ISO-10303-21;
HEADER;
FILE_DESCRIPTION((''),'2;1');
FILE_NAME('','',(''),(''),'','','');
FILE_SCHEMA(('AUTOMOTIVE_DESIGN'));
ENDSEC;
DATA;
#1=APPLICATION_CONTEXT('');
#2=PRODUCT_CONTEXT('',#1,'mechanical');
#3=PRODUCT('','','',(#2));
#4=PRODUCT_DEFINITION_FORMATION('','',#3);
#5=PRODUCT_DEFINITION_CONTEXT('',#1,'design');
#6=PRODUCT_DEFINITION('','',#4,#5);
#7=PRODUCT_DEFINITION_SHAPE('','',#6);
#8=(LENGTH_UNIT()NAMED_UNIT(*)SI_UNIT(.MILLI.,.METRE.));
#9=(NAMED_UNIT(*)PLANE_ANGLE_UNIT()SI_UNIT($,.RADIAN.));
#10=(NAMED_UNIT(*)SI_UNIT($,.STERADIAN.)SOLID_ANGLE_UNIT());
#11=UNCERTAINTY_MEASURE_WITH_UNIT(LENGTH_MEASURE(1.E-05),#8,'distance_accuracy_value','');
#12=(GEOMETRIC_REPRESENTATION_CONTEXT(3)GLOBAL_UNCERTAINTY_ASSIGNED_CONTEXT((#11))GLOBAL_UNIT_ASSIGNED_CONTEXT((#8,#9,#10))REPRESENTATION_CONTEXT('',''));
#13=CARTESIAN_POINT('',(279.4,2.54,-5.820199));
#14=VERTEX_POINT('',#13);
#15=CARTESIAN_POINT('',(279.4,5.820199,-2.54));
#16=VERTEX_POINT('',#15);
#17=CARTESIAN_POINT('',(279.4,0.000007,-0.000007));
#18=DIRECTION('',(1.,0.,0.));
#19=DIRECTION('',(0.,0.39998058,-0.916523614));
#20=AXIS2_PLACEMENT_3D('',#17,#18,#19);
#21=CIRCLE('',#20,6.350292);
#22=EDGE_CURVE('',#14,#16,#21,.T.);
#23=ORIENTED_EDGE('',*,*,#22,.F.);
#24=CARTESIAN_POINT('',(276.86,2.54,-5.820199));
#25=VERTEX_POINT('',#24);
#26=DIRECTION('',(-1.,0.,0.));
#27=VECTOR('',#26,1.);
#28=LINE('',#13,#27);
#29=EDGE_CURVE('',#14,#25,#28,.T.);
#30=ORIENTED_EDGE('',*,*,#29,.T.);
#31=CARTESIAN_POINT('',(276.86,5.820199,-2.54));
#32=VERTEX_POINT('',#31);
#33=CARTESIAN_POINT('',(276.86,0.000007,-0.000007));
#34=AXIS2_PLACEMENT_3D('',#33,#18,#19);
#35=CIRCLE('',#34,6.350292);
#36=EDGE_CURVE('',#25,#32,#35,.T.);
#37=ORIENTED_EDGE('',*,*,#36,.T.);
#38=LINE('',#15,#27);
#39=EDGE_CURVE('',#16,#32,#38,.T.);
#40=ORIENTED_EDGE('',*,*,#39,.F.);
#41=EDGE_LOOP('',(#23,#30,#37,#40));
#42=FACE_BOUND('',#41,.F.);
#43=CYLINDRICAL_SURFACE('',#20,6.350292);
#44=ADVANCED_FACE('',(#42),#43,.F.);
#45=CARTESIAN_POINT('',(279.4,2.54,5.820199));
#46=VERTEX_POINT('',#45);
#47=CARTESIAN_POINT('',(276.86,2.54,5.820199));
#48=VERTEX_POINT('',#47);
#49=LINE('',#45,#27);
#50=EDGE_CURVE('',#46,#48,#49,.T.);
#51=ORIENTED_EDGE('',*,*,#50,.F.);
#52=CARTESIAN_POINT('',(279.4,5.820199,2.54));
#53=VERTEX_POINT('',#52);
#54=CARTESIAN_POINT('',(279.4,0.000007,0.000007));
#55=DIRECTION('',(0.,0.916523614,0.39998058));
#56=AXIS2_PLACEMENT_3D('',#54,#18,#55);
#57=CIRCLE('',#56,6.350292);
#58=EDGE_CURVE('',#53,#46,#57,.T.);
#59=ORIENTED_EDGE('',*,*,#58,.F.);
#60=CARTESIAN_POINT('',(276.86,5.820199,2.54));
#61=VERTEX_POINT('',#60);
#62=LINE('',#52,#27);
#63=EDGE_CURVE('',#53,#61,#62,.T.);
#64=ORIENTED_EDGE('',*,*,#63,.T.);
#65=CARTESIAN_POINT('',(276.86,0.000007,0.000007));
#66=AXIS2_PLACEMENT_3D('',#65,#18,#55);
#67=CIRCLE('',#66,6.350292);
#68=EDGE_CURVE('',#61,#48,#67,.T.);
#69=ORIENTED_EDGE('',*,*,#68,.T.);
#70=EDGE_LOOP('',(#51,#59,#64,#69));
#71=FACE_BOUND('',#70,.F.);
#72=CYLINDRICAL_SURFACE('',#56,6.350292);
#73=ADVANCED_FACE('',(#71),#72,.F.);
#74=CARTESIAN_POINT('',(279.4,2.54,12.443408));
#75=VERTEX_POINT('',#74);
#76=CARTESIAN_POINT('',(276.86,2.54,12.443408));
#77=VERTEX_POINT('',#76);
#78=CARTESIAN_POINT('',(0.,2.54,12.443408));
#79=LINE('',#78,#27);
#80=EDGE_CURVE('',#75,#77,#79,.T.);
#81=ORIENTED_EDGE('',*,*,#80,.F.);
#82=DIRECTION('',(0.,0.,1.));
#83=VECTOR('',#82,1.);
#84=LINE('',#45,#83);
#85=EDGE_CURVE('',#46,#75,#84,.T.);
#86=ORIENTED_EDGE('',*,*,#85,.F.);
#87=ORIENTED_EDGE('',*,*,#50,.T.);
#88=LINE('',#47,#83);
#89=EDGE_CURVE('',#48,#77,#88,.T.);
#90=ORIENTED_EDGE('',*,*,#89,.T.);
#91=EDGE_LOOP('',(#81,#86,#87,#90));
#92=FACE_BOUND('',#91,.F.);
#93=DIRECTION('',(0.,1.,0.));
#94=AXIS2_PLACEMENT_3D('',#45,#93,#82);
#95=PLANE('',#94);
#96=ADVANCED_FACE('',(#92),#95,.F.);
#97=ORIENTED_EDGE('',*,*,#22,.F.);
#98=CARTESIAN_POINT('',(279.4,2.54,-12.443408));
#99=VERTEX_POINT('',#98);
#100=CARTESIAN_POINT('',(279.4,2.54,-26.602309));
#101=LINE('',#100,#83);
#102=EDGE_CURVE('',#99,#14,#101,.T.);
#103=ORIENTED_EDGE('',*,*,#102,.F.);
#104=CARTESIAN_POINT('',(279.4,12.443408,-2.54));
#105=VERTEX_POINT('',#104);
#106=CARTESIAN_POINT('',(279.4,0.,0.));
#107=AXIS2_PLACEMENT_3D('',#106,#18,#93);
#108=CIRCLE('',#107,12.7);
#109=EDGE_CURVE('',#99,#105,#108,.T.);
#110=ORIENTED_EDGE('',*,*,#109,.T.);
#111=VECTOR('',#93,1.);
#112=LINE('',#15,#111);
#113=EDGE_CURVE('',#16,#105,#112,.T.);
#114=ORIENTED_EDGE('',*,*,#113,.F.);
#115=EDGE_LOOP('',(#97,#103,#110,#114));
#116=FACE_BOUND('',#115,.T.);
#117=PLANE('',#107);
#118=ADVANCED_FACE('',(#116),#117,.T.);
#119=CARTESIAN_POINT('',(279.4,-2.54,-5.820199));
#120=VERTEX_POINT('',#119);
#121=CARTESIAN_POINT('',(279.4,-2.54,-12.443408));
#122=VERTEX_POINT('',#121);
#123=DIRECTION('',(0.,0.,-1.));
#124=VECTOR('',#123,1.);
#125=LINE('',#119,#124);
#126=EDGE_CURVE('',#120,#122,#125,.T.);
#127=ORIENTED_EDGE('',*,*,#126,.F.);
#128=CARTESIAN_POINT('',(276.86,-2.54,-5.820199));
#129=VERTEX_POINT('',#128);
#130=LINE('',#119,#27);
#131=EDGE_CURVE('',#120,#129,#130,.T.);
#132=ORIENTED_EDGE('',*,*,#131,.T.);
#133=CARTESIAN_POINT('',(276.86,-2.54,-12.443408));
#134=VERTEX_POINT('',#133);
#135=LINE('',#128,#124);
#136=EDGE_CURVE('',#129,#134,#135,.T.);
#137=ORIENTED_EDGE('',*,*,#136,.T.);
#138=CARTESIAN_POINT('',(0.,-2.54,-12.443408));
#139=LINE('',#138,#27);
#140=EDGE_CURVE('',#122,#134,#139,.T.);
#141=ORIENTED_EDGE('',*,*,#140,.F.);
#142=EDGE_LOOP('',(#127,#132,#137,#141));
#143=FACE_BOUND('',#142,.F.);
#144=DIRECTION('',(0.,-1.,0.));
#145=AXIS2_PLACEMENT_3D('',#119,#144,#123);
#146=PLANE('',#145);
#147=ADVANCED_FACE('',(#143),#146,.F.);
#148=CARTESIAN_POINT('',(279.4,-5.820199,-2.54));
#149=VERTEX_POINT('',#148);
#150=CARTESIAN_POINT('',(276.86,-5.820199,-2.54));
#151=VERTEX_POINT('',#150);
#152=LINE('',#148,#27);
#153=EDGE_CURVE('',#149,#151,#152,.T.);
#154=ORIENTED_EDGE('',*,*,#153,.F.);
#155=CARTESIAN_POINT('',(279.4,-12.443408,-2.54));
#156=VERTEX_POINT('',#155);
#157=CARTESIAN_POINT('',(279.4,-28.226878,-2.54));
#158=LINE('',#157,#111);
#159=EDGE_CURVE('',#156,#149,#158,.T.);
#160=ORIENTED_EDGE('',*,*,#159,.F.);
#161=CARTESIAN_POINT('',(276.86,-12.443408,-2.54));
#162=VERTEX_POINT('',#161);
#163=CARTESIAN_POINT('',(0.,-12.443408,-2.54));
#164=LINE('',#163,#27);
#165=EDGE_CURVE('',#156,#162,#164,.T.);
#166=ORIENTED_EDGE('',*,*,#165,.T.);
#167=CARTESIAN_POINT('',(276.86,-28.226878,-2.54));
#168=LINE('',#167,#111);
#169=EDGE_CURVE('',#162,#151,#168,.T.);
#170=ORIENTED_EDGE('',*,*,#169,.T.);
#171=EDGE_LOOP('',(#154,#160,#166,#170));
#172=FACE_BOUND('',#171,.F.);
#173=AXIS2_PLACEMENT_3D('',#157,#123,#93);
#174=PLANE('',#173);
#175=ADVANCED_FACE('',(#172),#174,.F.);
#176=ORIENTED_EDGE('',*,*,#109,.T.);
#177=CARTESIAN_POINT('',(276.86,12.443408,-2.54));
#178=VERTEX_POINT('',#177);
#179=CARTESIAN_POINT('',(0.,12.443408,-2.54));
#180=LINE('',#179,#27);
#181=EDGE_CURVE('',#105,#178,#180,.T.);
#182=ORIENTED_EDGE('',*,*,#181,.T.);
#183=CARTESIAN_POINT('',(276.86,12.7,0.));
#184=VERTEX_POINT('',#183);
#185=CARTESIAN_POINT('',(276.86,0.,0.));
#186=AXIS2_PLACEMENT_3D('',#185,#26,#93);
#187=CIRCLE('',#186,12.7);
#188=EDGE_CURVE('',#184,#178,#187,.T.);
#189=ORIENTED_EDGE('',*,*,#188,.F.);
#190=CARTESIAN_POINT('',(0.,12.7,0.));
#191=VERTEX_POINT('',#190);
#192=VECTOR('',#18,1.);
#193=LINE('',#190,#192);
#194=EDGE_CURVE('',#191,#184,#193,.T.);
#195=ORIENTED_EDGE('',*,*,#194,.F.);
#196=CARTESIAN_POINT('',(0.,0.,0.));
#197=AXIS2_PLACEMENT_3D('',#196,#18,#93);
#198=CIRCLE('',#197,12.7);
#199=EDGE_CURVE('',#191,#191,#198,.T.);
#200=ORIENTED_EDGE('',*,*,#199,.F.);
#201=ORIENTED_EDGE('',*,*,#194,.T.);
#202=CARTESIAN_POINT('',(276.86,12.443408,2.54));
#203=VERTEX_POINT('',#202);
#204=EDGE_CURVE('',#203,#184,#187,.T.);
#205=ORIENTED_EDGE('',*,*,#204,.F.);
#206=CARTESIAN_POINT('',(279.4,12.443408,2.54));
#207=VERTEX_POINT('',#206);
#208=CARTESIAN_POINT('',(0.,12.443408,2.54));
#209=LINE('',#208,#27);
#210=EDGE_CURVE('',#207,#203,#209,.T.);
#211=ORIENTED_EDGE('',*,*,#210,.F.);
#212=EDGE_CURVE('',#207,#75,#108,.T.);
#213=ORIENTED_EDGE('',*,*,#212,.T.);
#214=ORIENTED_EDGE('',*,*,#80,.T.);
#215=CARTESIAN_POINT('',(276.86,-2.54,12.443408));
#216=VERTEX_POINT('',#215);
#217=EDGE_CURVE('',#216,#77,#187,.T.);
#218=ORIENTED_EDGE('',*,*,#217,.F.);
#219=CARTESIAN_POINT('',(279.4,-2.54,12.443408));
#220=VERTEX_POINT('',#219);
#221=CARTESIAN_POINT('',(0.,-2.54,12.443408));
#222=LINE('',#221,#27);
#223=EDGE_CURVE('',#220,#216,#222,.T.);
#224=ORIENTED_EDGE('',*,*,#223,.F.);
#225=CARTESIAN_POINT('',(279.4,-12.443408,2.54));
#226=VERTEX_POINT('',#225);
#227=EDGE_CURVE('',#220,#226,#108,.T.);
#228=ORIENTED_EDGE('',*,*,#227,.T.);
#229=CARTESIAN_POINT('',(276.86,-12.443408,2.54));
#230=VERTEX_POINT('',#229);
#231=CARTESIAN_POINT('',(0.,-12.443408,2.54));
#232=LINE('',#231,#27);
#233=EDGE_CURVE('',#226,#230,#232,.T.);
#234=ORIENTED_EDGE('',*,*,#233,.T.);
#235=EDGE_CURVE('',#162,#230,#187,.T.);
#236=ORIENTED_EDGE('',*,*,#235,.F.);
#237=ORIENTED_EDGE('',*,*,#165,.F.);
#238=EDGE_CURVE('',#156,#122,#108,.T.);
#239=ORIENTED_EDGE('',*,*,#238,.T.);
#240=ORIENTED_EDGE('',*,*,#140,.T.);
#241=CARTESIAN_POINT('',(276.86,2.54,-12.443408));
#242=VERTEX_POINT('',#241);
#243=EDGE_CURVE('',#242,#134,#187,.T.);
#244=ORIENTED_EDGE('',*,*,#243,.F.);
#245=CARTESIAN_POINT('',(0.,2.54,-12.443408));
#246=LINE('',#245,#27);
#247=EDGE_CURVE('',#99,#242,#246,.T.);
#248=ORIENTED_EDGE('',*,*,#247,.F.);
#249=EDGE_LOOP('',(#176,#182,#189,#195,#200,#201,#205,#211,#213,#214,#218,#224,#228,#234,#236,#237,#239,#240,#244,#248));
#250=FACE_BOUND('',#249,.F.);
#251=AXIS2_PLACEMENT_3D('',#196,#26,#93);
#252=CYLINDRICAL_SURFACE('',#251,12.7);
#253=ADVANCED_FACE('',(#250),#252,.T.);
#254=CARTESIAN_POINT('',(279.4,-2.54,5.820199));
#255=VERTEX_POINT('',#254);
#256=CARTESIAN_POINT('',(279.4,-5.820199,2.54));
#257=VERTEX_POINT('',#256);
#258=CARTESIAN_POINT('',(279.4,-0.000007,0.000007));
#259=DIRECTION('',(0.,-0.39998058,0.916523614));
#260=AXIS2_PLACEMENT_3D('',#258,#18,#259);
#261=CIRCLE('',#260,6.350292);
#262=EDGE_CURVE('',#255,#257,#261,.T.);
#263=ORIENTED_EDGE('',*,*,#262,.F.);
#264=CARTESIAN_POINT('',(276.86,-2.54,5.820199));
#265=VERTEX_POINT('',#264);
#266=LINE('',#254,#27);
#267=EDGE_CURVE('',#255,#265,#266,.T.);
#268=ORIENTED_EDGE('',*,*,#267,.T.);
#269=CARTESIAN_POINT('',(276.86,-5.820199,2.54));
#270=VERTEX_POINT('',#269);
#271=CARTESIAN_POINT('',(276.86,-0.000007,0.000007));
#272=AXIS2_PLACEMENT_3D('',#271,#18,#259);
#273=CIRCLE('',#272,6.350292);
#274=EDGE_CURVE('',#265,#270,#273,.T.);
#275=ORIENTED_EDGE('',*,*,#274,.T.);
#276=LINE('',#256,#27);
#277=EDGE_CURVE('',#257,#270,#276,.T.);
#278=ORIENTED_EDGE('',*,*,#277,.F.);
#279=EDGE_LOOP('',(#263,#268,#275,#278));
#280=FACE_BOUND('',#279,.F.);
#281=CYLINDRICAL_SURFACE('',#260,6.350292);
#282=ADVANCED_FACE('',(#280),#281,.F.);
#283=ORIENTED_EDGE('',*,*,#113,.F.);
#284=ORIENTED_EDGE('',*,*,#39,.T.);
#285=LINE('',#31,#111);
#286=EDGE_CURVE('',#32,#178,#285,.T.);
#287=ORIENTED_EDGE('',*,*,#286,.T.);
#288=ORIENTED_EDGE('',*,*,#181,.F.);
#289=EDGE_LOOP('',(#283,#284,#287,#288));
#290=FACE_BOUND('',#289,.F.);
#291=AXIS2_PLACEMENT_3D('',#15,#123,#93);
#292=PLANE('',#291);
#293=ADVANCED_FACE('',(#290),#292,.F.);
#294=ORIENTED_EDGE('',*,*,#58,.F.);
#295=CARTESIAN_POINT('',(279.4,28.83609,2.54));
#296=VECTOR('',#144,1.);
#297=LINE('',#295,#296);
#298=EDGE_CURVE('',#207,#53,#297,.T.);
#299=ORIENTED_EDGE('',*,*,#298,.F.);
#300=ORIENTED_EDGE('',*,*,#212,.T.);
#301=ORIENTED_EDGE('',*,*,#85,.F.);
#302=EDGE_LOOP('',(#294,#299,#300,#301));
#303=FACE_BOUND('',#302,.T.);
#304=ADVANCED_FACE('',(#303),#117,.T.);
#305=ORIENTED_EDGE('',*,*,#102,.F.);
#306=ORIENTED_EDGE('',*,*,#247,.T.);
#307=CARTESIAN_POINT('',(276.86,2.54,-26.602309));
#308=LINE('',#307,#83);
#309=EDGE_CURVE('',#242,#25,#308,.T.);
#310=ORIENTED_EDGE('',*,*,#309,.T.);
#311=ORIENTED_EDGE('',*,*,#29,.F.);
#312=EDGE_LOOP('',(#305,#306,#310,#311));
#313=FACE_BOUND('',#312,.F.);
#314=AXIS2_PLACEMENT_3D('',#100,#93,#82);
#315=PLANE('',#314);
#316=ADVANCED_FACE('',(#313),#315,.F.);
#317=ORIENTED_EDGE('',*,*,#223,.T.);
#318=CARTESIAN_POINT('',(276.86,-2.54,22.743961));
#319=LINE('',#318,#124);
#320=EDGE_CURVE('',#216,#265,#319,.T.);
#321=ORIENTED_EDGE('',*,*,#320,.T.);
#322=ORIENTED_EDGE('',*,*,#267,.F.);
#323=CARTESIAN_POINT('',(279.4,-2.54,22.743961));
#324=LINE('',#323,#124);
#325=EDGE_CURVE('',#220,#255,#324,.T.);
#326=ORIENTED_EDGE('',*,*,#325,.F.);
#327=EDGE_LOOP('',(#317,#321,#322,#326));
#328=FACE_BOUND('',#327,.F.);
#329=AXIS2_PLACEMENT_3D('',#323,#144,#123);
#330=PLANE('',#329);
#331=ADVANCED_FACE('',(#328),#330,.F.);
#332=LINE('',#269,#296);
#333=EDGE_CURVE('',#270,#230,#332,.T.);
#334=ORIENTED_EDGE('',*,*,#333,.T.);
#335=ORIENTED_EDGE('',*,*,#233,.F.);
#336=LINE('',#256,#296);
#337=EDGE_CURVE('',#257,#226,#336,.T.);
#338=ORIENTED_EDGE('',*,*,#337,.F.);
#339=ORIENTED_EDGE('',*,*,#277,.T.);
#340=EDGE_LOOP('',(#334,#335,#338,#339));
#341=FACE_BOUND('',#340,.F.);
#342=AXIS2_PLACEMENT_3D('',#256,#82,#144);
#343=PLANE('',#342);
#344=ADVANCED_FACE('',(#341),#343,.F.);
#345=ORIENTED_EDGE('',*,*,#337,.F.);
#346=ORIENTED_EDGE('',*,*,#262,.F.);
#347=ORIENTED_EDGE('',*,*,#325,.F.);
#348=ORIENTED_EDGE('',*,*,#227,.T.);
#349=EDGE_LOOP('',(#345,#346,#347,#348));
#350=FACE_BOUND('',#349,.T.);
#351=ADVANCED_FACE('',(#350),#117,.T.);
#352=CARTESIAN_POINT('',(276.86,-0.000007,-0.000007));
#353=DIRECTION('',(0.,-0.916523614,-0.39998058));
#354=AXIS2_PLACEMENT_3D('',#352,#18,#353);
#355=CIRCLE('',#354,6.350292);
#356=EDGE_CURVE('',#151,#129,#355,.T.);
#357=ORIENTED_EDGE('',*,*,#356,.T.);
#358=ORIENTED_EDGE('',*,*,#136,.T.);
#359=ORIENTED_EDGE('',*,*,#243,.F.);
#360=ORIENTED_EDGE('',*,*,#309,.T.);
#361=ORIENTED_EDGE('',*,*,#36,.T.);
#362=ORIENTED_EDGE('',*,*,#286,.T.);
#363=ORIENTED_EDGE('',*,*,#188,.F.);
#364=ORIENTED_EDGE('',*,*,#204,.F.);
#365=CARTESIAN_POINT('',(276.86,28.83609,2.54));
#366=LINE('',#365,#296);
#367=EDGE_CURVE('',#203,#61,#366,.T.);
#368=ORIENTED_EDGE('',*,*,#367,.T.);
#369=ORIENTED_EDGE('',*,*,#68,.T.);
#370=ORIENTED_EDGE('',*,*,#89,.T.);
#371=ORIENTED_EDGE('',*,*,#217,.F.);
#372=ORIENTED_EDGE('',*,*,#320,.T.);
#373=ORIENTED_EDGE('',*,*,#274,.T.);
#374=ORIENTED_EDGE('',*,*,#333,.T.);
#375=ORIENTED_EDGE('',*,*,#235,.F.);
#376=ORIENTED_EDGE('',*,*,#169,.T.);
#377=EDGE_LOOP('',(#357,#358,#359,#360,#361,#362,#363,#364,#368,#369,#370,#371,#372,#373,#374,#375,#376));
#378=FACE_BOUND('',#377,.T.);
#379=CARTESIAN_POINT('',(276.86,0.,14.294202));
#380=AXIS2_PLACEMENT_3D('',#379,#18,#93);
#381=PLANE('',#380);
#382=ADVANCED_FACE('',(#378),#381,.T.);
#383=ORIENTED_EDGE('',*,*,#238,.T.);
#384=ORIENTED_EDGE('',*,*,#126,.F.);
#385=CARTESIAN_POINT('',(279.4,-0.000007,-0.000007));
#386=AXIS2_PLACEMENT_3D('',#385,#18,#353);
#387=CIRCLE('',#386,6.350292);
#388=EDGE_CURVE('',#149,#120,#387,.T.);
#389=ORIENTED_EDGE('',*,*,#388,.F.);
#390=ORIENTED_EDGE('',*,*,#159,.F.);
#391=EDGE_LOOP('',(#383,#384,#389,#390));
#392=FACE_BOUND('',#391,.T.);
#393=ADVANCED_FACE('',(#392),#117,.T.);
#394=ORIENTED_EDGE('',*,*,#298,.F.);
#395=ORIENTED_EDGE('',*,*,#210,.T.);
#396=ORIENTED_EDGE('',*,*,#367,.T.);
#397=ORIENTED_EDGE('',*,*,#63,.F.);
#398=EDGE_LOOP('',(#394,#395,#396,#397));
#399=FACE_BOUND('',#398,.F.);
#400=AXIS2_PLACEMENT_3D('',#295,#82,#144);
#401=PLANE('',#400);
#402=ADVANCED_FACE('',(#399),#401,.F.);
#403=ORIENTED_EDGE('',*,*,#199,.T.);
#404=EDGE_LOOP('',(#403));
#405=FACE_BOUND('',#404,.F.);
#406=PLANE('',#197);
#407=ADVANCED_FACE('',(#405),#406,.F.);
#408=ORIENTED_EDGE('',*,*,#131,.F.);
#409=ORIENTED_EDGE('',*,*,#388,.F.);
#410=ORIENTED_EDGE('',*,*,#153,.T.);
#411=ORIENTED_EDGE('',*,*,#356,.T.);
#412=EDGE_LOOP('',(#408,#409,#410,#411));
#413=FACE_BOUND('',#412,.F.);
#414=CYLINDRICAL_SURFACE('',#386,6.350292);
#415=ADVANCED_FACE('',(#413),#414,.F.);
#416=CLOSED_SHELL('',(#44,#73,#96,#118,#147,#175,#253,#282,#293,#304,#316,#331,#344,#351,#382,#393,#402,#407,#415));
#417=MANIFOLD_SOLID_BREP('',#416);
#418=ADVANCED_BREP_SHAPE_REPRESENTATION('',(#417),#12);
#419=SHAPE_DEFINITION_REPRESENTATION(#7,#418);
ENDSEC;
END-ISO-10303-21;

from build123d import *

# Parameters (mm, degrees)
F0_R     = 12.7
F1_DEPTH = 279.4
F2_R     = 6.35
F3_DEPTH = 2.54
F5_DEPTH = 2.54


with BuildPart() as f1:
    # F0 (on Right) → F1 (new body)
    with BuildSketch(Plane.YZ):
        Circle(F0_R)
    extrude(amount=F1_DEPTH)

    # F2 (on face) → F3 (cut)
    with BuildSketch(Plane.YZ.offset(279.4)):
        Circle(F2_R)
    extrude(amount=-F3_DEPTH, mode=Mode.SUBTRACT)

    # F4 (on face) → F5 (cut)
    with BuildSketch(Plane.YZ.offset(279.4)):
        with BuildLine():
            ThreePointArc((-2.54, 5.820199), (0, 6.350301), (2.54, 5.820199))
            Line((2.54, 5.820199), (2.54, 22.743961))
            Line((2.54, 22.743961), (0, 22.743961))
            Line((0, 22.743961), (-2.54, 22.743961))
            Line((-2.54, 22.743961), (-2.54, 5.820199))
        make_face()
        with BuildLine():
            ThreePointArc((5.820199, 2.54), (4.490341, 4.490341), (2.54, 5.820199))
            ThreePointArc((2.54, 5.820199), (0, 6.350301), (-2.54, 5.820199))
            ThreePointArc((-2.54, 5.820199), (-4.490341, 4.490341), (-5.820199, 2.54))
            ThreePointArc((-5.820199, 2.54), (-6.350301, 0), (-5.820199, -2.54))
            ThreePointArc((-5.820199, -2.54), (-4.490341, -4.490341), (-2.54, -5.820199))
            ThreePointArc((-2.54, -5.820199), (0, -6.350301), (2.54, -5.820199))
            ThreePointArc((2.54, -5.820199), (4.490341, -4.490341), (5.820199, -2.54))
            ThreePointArc((5.820199, -2.54), (6.216363, -1.297363), (6.350301, 0))
            ThreePointArc((6.350301, 0), (6.216363, 1.297363), (5.820199, 2.54))
        make_face()
        with BuildLine():
            Line((28.83609, 2.54), (5.820199, 2.54))
            ThreePointArc((5.820199, 2.54), (6.216363, 1.297363), (6.350301, 0))
            ThreePointArc((6.350301, 0), (6.216363, -1.297363), (5.820199, -2.54))
            Line((5.820199, -2.54), (28.83609, -2.54))
            Line((28.83609, -2.54), (28.83609, 0))
            Line((28.83609, 0), (28.83609, 2.54))
        make_face()
        with BuildLine():
            ThreePointArc((-5.820199, -2.54), (-6.350301, 0), (-5.820199, 2.54))
            Line((-5.820199, 2.54), (-28.226878, 2.54))
            Line((-28.226878, 2.54), (-28.226878, 0))
            Line((-28.226878, 0), (-28.226878, -2.54))
            Line((-28.226878, -2.54), (-5.820199, -2.54))
        make_face()
        with BuildLine():
            Line((2.54, -26.602309), (2.54, -5.820199))
            ThreePointArc((2.54, -5.820199), (0, -6.350301), (-2.54, -5.820199))
            Line((-2.54, -5.820199), (-2.54, -26.602309))
            Line((-2.54, -26.602309), (0, -26.602309))
            Line((0, -26.602309), (2.54, -26.602309))
        make_face()
    extrude(amount=-F5_DEPTH, mode=Mode.SUBTRACT)


solid = f1.part
